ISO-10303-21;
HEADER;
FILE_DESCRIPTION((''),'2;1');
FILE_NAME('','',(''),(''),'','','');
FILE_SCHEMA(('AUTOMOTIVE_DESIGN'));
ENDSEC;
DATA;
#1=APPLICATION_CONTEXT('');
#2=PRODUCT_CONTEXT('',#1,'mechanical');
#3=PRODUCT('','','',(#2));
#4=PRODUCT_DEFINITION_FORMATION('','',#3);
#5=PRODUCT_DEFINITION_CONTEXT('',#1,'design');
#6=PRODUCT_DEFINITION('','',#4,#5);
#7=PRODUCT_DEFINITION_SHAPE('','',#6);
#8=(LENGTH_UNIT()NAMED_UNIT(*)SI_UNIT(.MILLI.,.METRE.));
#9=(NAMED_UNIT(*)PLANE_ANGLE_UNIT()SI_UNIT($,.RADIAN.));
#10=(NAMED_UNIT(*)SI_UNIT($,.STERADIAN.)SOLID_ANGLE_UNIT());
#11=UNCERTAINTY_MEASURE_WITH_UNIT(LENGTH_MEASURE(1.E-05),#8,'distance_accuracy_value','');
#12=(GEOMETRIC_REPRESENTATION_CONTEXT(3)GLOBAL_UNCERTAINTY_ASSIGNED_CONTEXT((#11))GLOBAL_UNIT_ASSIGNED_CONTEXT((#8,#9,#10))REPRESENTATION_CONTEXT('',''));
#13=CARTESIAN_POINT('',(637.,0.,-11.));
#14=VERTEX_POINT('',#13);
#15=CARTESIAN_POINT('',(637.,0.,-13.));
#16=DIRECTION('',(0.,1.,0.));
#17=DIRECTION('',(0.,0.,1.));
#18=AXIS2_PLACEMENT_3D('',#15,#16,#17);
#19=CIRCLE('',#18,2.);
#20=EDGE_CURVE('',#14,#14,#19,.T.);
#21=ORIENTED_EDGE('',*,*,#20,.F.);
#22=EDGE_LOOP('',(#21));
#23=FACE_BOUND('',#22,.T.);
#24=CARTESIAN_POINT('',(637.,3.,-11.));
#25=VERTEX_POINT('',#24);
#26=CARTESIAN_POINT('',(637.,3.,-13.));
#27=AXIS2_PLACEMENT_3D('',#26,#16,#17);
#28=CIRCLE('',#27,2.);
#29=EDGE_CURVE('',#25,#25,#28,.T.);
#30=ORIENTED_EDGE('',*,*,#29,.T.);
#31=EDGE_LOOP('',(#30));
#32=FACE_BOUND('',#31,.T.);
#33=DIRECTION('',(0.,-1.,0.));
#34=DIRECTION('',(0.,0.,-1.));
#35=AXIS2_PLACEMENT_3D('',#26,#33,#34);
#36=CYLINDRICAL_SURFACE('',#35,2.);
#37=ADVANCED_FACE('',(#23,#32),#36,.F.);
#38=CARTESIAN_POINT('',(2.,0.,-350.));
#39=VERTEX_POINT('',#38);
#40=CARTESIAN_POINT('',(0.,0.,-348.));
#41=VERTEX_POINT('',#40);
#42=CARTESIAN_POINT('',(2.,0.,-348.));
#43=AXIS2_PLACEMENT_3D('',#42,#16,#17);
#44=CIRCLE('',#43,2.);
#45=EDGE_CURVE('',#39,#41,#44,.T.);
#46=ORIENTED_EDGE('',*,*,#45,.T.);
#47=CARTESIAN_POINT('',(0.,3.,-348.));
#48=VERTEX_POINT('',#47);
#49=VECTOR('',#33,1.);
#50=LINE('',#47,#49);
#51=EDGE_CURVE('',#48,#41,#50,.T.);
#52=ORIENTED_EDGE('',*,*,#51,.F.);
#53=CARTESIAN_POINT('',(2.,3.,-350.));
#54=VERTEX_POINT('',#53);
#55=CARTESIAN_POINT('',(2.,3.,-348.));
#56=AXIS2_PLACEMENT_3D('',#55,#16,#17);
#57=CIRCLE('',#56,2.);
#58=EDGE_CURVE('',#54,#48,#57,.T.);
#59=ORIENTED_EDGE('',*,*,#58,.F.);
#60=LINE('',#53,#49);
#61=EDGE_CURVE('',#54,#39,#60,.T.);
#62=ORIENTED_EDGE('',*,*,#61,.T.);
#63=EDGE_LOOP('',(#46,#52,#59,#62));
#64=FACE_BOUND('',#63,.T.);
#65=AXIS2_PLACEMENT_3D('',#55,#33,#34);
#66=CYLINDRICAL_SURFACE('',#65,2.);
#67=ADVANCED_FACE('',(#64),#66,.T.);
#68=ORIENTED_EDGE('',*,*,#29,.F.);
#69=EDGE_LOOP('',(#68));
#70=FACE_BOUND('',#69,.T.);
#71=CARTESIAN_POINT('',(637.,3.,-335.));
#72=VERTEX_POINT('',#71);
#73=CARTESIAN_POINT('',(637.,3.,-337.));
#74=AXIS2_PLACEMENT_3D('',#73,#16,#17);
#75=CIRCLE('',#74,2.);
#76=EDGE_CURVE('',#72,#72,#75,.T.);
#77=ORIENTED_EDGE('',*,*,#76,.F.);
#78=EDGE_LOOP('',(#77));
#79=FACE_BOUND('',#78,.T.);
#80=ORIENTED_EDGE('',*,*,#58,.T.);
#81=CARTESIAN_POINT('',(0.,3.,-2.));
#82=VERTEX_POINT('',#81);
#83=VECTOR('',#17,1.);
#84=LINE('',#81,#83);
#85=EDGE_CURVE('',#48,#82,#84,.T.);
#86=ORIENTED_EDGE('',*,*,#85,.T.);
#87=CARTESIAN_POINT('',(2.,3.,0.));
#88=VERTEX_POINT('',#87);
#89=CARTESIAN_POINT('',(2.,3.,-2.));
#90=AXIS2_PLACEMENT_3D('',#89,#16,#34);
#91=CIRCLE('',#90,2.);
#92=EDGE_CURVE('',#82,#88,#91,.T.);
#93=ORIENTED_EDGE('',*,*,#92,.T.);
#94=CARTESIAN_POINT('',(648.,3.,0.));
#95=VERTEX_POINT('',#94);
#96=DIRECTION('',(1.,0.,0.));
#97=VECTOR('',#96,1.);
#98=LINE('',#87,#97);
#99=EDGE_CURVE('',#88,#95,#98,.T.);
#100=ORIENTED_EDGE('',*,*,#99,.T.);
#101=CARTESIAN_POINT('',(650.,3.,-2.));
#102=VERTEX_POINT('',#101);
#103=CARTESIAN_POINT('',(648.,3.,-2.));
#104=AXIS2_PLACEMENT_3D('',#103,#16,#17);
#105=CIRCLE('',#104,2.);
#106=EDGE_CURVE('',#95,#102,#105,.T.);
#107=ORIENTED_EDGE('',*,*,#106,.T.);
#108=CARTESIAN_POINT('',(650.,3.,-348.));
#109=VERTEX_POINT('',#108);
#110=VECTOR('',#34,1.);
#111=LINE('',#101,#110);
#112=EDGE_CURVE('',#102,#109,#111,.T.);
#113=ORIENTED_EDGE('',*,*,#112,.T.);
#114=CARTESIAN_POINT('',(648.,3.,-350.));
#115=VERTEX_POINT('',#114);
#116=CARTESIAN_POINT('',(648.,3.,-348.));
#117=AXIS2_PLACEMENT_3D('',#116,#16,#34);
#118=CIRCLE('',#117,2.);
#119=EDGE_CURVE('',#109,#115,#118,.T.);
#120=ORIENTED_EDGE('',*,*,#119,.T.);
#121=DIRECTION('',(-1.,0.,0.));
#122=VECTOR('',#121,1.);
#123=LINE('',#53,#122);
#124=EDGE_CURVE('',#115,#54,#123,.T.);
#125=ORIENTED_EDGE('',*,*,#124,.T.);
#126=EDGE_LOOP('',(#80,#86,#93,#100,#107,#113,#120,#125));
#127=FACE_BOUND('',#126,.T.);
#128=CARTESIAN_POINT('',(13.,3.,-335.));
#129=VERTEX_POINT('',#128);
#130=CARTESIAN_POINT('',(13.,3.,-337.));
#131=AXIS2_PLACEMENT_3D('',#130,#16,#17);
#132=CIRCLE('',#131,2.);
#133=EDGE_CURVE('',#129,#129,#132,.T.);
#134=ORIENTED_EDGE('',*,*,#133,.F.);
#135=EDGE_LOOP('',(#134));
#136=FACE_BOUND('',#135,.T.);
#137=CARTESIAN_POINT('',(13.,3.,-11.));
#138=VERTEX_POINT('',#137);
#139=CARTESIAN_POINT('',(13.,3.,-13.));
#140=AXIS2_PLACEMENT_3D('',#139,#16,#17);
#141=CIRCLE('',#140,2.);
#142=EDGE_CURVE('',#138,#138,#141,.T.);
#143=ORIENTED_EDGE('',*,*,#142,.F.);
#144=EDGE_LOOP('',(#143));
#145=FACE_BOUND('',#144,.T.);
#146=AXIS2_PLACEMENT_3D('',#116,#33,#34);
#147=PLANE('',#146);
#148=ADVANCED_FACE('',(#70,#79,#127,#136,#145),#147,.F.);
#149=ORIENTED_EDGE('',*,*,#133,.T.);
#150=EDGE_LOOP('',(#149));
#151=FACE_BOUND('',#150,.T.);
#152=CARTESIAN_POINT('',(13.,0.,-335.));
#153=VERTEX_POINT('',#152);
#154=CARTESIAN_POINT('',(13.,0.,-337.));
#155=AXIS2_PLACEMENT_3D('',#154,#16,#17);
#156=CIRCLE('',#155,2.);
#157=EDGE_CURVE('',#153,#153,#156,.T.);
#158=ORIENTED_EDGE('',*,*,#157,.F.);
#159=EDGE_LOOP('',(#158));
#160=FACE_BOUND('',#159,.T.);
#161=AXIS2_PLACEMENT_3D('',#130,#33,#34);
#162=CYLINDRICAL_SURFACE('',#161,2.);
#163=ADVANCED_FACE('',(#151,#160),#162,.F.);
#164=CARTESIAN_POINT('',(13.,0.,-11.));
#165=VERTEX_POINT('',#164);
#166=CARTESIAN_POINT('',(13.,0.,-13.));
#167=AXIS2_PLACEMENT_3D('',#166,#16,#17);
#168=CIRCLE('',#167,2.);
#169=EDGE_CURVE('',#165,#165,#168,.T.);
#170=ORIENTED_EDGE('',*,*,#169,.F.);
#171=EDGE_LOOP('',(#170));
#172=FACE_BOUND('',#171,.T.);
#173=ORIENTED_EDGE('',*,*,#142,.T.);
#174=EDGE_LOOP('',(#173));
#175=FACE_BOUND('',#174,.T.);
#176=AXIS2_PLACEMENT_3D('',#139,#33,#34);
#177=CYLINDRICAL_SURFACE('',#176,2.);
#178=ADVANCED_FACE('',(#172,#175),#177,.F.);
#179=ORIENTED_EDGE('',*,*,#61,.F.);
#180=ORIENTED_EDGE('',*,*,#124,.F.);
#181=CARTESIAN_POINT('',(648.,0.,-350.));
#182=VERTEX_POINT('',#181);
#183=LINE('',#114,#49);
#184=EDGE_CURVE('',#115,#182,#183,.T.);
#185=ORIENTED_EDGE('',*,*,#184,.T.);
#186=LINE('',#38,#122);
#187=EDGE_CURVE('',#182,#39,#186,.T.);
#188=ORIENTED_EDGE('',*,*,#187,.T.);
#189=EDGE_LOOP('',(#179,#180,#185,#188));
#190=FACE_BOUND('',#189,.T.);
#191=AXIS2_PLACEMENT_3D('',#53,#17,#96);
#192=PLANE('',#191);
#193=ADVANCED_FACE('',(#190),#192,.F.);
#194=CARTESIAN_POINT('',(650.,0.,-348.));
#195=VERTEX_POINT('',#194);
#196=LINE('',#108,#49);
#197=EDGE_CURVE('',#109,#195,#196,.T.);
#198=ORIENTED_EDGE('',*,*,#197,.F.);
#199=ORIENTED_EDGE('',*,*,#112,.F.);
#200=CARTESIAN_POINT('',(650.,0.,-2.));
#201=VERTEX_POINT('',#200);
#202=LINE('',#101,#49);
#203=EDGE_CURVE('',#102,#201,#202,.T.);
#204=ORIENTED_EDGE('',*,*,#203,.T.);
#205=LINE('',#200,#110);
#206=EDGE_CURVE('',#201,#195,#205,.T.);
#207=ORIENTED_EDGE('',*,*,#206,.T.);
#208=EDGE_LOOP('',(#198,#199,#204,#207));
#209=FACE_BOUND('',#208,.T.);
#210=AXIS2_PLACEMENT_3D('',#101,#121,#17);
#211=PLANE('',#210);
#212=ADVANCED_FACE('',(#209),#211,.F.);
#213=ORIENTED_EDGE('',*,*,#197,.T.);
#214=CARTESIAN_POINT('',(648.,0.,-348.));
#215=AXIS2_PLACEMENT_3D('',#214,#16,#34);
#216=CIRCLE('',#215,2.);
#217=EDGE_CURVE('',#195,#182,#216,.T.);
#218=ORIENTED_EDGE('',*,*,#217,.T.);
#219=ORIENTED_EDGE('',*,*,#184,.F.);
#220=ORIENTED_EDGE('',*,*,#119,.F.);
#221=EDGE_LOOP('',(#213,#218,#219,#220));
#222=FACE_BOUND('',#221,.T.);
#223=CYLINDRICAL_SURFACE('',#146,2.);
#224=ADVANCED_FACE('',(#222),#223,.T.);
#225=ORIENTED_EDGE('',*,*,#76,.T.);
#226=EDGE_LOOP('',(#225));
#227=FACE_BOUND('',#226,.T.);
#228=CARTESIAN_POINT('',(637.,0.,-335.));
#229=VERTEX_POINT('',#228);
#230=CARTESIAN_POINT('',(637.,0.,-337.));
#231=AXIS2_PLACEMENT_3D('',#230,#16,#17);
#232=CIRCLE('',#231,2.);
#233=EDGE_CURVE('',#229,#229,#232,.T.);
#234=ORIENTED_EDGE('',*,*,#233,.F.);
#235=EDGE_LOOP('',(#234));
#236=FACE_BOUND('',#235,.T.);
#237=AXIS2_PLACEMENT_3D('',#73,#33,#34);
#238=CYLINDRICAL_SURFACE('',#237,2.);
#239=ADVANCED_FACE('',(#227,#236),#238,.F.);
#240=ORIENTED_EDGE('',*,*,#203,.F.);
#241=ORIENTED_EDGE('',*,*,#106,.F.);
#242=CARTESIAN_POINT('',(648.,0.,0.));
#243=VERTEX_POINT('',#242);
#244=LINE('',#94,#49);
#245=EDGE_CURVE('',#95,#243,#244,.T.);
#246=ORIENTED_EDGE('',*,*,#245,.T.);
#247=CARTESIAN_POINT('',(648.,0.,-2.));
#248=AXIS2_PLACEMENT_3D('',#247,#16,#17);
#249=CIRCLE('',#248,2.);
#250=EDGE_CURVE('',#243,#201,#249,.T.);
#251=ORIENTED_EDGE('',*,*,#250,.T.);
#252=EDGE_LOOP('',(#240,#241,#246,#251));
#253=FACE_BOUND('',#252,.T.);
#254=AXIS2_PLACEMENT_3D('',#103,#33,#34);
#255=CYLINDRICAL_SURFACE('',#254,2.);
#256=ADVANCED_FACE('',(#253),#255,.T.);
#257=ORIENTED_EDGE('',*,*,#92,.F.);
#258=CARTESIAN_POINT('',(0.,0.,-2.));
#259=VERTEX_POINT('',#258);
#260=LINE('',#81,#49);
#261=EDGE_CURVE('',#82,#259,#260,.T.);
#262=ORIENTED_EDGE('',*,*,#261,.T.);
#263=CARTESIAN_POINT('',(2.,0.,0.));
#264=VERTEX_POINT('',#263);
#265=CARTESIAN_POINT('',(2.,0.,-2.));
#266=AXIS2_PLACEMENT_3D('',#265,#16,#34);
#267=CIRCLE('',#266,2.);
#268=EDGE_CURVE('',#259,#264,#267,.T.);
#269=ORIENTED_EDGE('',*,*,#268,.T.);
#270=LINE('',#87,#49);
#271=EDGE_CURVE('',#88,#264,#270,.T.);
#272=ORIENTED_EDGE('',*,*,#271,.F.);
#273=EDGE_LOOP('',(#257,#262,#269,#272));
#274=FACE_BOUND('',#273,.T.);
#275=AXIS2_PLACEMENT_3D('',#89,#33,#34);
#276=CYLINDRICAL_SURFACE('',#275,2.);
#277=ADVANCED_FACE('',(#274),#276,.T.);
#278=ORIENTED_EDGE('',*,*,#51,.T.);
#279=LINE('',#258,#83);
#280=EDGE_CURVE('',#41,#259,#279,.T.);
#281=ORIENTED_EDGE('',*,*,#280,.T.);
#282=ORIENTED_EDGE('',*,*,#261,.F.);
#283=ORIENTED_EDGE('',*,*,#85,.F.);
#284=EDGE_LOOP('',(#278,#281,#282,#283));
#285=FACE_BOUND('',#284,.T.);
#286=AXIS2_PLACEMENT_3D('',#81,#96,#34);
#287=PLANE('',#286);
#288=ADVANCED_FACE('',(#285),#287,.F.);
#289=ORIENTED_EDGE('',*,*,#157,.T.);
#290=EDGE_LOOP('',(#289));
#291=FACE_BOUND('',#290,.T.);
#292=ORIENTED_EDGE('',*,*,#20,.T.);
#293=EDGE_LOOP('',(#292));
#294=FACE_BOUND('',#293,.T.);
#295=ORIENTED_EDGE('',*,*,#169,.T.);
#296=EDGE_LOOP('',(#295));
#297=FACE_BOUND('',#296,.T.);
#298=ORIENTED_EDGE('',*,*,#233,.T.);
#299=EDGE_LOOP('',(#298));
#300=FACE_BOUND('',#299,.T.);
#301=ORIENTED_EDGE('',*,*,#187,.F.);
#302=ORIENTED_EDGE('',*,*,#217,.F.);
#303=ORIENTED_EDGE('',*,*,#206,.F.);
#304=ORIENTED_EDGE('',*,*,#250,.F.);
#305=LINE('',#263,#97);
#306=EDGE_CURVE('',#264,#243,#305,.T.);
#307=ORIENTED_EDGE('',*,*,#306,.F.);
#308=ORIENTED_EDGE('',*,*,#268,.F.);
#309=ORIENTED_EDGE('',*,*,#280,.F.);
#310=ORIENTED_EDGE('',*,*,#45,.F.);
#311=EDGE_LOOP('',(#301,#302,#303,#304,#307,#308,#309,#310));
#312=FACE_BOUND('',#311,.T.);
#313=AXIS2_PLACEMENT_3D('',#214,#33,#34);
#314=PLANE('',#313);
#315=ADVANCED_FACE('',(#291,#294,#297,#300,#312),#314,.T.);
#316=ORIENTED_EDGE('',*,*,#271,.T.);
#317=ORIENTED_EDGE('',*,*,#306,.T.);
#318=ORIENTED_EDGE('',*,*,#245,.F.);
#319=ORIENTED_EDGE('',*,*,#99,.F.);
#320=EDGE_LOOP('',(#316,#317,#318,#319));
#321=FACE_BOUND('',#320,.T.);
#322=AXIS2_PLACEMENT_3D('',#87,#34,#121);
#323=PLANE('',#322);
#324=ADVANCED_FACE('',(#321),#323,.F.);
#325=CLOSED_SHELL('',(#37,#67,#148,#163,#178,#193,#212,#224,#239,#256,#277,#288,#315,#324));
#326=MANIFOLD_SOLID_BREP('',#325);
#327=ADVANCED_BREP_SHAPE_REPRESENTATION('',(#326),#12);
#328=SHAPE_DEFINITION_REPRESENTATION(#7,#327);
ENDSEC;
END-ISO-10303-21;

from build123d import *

# Parameters (mm, degrees)
SKETCH_1_R      = 2
EXTRUDE_1_DEPTH = 3


with BuildPart() as part:
    # 草图1 → 凸台-拉伸1 (new body)
    with BuildSketch(Plane(origin=(0, 0, 0), x_dir=(1, 0, 0), z_dir=(0, 1, 0))):
        with BuildLine():
            Line((2, 0), (648, 0))
            ThreePointArc((648, 0), (649.414213562, 0.585786438), (650, 2))
            Line((650, 2), (650, 348))
            ThreePointArc((650, 348), (649.414213562, 349.414213562), (648, 350))
            Line((648, 350), (2, 350))
            ThreePointArc((2, 350), (0.585786438, 349.414213562), (0, 348))
            Line((0, 348), (0, 2))
            ThreePointArc((0, 2), (0.585786438, 0.585786438), (2, 0))
        make_face()
        with Locations(Location((13, 13, 0), (0, 0, 270))):
            Circle(SKETCH_1_R, mode=Mode.SUBTRACT)
        with Locations(Location((637, 13, 0), (0, 0, 270))):
            Circle(SKETCH_1_R, mode=Mode.SUBTRACT)
        with Locations(Location((13, 337, 0), (0, 0, 270))):
            Circle(SKETCH_1_R, mode=Mode.SUBTRACT)
        with Locations(Location((637, 337, 0), (0, 0, 270))):
            Circle(SKETCH_1_R, mode=Mode.SUBTRACT)
    extrude(amount=EXTRUDE_1_DEPTH)


solid = part.part
